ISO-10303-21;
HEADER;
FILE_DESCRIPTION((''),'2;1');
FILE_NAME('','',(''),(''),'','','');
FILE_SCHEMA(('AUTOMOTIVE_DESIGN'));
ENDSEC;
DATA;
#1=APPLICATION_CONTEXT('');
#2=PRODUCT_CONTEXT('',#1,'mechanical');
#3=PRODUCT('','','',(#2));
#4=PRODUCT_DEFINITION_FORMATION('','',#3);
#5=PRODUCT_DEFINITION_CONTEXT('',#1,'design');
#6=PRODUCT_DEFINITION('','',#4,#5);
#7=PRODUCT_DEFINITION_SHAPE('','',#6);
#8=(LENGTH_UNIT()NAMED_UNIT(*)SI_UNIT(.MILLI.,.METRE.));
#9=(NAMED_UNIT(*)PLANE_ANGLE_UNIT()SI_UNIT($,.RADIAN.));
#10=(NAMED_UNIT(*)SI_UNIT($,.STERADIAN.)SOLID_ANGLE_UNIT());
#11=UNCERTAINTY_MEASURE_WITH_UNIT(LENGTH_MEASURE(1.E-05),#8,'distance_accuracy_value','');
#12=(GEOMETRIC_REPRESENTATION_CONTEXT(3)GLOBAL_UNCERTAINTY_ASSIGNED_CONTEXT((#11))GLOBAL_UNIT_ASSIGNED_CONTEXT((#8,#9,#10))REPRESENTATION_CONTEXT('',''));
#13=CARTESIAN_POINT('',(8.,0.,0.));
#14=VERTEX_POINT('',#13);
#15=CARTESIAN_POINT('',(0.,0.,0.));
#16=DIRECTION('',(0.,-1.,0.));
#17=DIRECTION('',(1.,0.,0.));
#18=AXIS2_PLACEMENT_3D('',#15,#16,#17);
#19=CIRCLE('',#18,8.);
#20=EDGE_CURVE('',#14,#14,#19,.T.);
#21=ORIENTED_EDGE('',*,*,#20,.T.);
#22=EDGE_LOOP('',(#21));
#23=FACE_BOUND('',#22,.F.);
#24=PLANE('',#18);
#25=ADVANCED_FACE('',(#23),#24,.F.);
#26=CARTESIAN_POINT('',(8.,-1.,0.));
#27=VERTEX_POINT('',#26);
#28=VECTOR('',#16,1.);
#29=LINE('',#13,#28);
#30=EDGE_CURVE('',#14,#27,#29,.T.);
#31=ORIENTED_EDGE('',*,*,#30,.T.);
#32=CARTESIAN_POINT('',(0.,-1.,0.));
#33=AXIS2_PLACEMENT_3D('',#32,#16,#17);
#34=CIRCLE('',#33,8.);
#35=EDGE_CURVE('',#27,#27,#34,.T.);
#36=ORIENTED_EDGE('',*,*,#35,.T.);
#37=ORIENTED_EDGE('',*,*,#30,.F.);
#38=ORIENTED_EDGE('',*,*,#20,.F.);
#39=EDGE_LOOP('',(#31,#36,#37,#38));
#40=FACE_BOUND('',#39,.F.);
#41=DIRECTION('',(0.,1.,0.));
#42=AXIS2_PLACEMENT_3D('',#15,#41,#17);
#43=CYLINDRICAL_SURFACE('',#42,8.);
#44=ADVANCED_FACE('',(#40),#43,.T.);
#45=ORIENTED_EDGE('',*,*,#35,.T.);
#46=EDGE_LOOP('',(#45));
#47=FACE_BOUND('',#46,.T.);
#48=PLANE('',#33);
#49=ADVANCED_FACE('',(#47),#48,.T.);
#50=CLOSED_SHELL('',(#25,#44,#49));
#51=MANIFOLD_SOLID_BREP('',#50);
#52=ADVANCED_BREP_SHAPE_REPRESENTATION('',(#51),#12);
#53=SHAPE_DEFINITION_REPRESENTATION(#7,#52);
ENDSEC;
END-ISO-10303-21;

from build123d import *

# Parameters (mm, degrees)
F1_R     = 8
F2_DEPTH = 1


with BuildPart() as f2:
    # F1 (on face) → F2 (new body)
    with BuildSketch(Plane.XZ):
        Circle(F1_R)
    extrude(amount=F2_DEPTH)


solid = f2.part
